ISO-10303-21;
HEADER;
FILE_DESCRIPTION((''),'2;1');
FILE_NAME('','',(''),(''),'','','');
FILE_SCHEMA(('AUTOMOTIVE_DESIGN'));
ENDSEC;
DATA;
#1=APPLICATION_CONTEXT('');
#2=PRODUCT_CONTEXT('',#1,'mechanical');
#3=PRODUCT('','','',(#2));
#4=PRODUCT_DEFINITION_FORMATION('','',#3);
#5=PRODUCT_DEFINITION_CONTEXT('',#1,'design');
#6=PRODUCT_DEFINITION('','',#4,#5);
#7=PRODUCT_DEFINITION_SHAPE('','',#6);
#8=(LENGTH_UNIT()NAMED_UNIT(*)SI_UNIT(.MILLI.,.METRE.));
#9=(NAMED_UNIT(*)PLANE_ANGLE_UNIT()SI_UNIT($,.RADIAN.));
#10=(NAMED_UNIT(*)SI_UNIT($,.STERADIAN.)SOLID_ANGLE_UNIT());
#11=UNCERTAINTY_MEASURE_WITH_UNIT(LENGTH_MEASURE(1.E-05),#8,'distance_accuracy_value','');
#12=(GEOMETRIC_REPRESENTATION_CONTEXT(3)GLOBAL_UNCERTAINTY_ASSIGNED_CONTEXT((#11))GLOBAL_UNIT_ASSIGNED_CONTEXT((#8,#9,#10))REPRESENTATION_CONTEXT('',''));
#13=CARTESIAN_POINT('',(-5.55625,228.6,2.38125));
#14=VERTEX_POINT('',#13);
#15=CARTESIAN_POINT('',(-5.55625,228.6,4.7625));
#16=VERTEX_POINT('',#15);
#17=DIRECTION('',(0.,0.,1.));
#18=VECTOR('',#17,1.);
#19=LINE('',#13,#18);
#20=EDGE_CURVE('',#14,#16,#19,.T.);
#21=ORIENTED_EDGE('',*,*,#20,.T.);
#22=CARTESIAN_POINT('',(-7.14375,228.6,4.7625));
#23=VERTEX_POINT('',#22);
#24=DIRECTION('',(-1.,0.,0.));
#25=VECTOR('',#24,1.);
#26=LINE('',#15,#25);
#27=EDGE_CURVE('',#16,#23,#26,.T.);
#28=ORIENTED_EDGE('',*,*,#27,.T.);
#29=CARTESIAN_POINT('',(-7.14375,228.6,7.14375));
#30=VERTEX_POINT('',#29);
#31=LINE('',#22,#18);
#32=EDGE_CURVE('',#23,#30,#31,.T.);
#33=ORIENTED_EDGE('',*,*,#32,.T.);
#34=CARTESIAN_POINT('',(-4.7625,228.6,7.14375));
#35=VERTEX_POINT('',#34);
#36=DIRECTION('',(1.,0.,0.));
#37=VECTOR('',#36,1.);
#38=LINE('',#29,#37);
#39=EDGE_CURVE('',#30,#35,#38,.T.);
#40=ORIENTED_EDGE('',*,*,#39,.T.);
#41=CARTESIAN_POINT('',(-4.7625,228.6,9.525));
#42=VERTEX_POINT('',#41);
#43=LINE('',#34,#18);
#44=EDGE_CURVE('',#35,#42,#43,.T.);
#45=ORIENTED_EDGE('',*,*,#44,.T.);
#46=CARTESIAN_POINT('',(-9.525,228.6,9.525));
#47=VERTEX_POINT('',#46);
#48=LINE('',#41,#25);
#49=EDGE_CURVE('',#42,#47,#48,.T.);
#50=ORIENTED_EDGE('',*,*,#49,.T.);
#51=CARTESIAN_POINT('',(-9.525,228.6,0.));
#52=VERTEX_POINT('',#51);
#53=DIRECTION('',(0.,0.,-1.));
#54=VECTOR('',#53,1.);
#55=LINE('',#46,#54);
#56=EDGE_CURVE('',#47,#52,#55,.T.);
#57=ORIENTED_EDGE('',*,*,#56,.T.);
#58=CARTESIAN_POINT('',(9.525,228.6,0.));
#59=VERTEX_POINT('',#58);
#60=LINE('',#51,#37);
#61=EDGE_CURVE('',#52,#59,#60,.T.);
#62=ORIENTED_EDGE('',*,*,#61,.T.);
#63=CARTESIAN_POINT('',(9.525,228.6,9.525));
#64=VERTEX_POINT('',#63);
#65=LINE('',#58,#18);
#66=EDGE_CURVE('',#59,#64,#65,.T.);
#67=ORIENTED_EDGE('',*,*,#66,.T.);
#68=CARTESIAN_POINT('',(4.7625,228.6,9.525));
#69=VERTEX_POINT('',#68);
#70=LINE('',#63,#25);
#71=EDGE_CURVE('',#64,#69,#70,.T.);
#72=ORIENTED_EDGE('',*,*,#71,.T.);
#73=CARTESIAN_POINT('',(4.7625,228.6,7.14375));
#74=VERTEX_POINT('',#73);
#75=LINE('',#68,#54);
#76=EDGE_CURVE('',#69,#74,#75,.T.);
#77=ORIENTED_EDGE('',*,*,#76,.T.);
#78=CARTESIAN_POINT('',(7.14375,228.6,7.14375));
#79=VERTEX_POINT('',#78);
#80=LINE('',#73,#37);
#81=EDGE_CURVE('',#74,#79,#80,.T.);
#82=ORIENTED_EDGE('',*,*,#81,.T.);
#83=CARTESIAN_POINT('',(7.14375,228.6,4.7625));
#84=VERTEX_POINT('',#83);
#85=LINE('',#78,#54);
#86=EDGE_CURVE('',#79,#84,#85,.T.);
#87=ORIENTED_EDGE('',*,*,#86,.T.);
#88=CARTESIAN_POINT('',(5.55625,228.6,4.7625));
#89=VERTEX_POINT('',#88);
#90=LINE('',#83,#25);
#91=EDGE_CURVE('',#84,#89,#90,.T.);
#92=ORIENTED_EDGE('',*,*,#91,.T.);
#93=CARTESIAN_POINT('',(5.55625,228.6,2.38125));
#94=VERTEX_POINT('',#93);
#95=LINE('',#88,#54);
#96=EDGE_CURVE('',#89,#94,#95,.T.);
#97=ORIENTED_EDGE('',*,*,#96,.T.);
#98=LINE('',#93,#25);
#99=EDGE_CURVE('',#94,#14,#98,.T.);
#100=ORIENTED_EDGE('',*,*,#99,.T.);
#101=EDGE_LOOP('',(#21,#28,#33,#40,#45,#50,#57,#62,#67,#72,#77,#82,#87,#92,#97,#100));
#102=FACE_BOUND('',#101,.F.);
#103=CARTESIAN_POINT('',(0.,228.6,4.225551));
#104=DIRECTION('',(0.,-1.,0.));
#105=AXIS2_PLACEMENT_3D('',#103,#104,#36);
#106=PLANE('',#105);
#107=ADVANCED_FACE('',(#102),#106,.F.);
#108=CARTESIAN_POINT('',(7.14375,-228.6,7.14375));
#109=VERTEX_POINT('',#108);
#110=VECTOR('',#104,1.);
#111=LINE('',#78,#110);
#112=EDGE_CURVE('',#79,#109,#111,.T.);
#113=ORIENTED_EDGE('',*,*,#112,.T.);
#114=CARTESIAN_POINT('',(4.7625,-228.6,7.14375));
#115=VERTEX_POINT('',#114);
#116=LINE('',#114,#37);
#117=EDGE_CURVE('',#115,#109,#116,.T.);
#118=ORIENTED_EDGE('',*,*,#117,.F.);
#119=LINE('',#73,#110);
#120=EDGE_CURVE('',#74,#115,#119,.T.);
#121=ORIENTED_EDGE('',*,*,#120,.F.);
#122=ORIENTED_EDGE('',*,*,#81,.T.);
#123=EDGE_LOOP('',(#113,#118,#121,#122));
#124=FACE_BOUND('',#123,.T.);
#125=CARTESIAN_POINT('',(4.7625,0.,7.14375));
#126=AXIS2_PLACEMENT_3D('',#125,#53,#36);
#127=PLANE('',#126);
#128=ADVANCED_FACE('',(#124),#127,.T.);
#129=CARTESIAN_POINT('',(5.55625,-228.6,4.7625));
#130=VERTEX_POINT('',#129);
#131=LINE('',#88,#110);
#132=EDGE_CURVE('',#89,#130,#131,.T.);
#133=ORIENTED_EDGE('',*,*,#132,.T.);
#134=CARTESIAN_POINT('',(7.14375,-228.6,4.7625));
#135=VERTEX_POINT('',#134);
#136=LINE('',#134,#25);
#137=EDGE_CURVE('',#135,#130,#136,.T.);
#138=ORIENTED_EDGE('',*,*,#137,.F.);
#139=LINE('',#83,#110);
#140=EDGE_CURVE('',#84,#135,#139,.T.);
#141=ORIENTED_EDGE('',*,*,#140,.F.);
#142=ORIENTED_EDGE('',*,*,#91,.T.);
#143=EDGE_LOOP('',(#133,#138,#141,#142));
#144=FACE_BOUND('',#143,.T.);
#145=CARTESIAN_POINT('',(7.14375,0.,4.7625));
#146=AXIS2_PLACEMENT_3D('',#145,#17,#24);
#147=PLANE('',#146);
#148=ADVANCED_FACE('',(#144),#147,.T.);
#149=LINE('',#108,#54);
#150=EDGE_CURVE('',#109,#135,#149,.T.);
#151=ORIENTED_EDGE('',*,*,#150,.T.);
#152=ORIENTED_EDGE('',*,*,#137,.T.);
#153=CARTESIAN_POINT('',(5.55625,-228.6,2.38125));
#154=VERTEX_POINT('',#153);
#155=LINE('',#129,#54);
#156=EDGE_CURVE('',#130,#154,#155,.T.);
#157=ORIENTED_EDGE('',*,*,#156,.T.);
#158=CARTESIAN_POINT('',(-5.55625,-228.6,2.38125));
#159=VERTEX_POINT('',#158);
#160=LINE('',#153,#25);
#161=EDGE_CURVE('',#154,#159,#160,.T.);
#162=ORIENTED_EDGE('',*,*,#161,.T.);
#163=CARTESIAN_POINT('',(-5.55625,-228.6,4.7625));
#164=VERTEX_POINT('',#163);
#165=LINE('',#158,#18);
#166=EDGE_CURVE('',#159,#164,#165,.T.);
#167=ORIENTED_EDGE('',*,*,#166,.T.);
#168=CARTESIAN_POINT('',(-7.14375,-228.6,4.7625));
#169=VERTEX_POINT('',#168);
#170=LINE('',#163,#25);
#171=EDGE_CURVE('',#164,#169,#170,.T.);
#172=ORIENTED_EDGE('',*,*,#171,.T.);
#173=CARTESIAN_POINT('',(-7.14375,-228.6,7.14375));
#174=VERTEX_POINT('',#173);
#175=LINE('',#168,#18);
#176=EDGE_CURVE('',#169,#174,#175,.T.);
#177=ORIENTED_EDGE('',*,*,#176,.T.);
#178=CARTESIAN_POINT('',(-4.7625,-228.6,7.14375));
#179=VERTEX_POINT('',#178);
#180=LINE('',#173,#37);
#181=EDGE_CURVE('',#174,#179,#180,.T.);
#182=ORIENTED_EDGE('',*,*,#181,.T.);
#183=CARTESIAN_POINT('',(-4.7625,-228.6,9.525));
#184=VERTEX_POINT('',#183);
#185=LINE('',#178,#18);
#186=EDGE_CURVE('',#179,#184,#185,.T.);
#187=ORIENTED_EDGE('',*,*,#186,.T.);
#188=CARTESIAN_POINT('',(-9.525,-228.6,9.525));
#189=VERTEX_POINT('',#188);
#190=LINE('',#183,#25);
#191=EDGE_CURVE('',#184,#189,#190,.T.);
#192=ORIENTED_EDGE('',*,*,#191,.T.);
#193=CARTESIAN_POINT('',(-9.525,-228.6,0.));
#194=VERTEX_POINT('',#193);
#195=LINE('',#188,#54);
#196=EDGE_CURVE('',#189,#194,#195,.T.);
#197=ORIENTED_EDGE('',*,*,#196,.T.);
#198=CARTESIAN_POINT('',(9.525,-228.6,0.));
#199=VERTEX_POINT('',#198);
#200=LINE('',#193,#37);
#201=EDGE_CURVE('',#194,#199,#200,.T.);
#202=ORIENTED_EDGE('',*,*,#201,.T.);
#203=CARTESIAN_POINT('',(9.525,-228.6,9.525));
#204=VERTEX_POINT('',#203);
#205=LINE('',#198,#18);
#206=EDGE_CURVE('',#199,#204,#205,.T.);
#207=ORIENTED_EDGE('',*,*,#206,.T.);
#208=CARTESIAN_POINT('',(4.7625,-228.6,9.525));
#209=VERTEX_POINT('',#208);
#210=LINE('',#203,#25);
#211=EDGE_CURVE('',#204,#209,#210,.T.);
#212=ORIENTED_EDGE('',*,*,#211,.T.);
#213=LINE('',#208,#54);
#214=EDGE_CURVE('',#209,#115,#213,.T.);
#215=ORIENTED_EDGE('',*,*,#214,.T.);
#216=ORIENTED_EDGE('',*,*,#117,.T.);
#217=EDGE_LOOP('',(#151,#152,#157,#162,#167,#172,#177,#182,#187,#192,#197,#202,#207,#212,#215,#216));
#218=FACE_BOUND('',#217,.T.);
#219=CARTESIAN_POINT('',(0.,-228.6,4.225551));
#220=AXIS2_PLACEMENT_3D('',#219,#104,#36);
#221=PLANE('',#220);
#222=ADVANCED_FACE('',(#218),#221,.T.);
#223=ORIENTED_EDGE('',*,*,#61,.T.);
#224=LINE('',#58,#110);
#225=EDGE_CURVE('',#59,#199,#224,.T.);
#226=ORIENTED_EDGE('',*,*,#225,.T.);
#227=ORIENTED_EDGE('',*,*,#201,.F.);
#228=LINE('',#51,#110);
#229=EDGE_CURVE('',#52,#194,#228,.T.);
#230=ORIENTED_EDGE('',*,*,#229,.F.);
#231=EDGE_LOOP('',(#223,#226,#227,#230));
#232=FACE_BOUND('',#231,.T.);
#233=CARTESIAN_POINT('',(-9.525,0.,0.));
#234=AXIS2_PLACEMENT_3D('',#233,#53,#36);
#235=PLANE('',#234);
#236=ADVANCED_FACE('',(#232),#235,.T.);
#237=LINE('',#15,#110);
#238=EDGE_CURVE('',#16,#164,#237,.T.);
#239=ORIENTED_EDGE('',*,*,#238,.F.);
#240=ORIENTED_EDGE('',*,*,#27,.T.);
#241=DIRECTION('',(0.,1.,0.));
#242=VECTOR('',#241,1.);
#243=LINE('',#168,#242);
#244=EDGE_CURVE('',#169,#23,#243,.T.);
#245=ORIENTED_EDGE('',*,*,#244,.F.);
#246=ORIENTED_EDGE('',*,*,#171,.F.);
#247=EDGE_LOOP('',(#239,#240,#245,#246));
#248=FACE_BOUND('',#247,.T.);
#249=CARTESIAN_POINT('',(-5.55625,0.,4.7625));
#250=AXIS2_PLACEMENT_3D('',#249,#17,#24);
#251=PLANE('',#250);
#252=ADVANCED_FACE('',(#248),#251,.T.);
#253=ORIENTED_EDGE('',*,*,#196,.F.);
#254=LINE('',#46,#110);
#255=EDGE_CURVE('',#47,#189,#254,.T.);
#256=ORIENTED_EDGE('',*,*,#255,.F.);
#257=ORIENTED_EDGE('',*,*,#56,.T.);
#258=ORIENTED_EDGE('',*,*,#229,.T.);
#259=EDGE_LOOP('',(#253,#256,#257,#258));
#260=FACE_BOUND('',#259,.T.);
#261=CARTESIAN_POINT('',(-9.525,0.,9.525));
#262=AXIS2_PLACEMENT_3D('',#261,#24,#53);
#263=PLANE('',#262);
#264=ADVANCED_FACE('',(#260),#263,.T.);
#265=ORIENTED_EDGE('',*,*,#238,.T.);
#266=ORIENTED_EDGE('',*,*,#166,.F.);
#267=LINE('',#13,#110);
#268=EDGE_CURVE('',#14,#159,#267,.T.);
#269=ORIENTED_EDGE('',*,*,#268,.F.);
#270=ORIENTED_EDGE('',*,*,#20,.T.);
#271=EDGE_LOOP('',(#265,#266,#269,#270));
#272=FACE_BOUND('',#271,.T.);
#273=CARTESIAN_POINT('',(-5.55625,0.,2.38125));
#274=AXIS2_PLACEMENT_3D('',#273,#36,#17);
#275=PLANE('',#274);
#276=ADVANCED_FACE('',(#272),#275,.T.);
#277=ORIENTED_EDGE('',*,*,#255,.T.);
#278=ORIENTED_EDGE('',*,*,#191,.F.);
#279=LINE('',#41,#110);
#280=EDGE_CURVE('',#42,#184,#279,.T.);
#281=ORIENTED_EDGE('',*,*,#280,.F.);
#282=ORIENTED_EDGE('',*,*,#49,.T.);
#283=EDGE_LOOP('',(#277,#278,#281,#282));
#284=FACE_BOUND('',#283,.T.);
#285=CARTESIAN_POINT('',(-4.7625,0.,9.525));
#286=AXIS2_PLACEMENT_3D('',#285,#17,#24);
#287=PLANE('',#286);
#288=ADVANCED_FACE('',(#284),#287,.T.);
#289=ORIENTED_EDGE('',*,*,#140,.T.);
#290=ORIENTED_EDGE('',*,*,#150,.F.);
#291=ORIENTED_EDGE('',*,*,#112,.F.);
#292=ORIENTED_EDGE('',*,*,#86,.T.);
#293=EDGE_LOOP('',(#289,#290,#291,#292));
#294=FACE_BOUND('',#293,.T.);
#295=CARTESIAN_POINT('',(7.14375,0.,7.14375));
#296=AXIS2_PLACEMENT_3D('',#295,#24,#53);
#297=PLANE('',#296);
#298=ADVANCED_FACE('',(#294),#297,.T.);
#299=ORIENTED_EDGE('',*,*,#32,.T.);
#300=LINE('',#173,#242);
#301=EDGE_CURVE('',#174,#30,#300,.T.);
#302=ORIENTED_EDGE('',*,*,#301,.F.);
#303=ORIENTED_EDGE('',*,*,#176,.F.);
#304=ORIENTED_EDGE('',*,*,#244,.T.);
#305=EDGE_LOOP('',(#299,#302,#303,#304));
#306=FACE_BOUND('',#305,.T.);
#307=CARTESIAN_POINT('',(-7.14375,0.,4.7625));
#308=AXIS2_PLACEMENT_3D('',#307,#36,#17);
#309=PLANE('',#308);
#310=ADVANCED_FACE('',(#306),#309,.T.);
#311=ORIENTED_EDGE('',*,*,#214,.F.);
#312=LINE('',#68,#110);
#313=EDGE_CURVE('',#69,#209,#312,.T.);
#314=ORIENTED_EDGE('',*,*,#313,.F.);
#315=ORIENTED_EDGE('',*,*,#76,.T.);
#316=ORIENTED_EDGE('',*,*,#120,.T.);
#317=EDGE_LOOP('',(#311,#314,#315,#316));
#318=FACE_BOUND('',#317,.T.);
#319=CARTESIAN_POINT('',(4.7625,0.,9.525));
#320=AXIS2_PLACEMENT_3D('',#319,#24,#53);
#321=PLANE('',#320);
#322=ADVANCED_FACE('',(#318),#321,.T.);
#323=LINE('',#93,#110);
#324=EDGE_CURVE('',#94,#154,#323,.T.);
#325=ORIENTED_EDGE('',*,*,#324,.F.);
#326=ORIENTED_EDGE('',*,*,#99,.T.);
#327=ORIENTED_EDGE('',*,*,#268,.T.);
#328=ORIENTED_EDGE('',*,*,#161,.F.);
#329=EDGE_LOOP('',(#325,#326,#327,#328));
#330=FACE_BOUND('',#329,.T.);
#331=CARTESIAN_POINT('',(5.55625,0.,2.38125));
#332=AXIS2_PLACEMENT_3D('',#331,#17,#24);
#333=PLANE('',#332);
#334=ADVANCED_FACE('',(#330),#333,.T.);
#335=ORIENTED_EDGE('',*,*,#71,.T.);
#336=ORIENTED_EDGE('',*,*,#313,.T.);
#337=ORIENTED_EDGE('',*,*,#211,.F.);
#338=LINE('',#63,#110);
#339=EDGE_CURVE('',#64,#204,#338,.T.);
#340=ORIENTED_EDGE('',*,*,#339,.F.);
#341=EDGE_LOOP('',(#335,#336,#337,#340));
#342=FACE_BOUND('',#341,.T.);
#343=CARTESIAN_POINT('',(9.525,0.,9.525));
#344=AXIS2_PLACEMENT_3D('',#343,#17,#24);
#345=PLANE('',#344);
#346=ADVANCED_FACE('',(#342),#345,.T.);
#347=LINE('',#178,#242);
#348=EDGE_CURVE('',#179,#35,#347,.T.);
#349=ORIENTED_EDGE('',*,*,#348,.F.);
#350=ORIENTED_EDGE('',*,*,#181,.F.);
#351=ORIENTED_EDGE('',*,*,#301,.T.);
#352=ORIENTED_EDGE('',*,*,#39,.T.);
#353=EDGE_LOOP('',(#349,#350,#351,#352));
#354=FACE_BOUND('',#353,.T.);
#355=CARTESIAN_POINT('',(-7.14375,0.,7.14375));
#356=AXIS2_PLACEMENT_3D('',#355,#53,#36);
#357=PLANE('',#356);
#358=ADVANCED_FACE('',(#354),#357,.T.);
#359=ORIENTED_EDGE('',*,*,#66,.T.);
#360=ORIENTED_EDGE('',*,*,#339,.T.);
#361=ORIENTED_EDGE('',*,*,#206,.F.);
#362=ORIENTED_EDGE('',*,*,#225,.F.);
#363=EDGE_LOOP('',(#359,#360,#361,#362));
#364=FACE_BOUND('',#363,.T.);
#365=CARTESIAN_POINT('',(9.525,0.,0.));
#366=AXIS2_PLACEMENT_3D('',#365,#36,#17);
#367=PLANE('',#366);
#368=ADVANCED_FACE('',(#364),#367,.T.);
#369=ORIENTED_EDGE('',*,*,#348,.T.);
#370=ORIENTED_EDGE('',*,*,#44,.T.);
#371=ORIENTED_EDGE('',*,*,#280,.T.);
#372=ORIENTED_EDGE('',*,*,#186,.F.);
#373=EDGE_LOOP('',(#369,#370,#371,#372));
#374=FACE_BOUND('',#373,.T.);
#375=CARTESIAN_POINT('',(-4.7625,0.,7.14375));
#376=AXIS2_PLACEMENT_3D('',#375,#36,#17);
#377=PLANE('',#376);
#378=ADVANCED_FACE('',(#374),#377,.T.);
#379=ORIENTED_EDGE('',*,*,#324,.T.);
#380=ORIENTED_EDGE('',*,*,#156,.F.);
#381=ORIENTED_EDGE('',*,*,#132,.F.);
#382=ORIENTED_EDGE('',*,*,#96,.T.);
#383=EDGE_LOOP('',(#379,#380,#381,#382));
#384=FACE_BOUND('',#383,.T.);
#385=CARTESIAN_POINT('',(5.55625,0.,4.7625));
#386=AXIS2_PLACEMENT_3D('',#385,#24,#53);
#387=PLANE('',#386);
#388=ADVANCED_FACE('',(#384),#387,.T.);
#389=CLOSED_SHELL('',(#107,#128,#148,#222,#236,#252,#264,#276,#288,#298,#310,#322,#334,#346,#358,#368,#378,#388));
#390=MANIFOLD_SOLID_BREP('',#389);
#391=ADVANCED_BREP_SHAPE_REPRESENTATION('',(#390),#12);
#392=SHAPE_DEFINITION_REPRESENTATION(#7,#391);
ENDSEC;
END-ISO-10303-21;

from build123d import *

# Parameters (mm, degrees)
F1_DEPTH = 228.6


with BuildPart() as f1:
    # F0 (on Front) → F1 (new body, symmetric)
    with BuildSketch(Plane.XZ):
        Polygon((-4.7625, 7.14375), (-4.7625, 9.525), (-9.525, 9.525), (-9.525, 0), (9.525, 0), (9.525, 9.525), (4.7625, 9.525), (4.7625, 7.14375), (7.14375, 7.14375), (7.14375, 4.7625), (5.55625, 4.7625), (5.55625, 2.38125), (-5.55625, 2.38125), (-5.55625, 4.7625), (-7.14375, 4.7625), (-7.14375, 7.14375), align=None)
    extrude(amount=F1_DEPTH, both=True)


solid = f1.part
